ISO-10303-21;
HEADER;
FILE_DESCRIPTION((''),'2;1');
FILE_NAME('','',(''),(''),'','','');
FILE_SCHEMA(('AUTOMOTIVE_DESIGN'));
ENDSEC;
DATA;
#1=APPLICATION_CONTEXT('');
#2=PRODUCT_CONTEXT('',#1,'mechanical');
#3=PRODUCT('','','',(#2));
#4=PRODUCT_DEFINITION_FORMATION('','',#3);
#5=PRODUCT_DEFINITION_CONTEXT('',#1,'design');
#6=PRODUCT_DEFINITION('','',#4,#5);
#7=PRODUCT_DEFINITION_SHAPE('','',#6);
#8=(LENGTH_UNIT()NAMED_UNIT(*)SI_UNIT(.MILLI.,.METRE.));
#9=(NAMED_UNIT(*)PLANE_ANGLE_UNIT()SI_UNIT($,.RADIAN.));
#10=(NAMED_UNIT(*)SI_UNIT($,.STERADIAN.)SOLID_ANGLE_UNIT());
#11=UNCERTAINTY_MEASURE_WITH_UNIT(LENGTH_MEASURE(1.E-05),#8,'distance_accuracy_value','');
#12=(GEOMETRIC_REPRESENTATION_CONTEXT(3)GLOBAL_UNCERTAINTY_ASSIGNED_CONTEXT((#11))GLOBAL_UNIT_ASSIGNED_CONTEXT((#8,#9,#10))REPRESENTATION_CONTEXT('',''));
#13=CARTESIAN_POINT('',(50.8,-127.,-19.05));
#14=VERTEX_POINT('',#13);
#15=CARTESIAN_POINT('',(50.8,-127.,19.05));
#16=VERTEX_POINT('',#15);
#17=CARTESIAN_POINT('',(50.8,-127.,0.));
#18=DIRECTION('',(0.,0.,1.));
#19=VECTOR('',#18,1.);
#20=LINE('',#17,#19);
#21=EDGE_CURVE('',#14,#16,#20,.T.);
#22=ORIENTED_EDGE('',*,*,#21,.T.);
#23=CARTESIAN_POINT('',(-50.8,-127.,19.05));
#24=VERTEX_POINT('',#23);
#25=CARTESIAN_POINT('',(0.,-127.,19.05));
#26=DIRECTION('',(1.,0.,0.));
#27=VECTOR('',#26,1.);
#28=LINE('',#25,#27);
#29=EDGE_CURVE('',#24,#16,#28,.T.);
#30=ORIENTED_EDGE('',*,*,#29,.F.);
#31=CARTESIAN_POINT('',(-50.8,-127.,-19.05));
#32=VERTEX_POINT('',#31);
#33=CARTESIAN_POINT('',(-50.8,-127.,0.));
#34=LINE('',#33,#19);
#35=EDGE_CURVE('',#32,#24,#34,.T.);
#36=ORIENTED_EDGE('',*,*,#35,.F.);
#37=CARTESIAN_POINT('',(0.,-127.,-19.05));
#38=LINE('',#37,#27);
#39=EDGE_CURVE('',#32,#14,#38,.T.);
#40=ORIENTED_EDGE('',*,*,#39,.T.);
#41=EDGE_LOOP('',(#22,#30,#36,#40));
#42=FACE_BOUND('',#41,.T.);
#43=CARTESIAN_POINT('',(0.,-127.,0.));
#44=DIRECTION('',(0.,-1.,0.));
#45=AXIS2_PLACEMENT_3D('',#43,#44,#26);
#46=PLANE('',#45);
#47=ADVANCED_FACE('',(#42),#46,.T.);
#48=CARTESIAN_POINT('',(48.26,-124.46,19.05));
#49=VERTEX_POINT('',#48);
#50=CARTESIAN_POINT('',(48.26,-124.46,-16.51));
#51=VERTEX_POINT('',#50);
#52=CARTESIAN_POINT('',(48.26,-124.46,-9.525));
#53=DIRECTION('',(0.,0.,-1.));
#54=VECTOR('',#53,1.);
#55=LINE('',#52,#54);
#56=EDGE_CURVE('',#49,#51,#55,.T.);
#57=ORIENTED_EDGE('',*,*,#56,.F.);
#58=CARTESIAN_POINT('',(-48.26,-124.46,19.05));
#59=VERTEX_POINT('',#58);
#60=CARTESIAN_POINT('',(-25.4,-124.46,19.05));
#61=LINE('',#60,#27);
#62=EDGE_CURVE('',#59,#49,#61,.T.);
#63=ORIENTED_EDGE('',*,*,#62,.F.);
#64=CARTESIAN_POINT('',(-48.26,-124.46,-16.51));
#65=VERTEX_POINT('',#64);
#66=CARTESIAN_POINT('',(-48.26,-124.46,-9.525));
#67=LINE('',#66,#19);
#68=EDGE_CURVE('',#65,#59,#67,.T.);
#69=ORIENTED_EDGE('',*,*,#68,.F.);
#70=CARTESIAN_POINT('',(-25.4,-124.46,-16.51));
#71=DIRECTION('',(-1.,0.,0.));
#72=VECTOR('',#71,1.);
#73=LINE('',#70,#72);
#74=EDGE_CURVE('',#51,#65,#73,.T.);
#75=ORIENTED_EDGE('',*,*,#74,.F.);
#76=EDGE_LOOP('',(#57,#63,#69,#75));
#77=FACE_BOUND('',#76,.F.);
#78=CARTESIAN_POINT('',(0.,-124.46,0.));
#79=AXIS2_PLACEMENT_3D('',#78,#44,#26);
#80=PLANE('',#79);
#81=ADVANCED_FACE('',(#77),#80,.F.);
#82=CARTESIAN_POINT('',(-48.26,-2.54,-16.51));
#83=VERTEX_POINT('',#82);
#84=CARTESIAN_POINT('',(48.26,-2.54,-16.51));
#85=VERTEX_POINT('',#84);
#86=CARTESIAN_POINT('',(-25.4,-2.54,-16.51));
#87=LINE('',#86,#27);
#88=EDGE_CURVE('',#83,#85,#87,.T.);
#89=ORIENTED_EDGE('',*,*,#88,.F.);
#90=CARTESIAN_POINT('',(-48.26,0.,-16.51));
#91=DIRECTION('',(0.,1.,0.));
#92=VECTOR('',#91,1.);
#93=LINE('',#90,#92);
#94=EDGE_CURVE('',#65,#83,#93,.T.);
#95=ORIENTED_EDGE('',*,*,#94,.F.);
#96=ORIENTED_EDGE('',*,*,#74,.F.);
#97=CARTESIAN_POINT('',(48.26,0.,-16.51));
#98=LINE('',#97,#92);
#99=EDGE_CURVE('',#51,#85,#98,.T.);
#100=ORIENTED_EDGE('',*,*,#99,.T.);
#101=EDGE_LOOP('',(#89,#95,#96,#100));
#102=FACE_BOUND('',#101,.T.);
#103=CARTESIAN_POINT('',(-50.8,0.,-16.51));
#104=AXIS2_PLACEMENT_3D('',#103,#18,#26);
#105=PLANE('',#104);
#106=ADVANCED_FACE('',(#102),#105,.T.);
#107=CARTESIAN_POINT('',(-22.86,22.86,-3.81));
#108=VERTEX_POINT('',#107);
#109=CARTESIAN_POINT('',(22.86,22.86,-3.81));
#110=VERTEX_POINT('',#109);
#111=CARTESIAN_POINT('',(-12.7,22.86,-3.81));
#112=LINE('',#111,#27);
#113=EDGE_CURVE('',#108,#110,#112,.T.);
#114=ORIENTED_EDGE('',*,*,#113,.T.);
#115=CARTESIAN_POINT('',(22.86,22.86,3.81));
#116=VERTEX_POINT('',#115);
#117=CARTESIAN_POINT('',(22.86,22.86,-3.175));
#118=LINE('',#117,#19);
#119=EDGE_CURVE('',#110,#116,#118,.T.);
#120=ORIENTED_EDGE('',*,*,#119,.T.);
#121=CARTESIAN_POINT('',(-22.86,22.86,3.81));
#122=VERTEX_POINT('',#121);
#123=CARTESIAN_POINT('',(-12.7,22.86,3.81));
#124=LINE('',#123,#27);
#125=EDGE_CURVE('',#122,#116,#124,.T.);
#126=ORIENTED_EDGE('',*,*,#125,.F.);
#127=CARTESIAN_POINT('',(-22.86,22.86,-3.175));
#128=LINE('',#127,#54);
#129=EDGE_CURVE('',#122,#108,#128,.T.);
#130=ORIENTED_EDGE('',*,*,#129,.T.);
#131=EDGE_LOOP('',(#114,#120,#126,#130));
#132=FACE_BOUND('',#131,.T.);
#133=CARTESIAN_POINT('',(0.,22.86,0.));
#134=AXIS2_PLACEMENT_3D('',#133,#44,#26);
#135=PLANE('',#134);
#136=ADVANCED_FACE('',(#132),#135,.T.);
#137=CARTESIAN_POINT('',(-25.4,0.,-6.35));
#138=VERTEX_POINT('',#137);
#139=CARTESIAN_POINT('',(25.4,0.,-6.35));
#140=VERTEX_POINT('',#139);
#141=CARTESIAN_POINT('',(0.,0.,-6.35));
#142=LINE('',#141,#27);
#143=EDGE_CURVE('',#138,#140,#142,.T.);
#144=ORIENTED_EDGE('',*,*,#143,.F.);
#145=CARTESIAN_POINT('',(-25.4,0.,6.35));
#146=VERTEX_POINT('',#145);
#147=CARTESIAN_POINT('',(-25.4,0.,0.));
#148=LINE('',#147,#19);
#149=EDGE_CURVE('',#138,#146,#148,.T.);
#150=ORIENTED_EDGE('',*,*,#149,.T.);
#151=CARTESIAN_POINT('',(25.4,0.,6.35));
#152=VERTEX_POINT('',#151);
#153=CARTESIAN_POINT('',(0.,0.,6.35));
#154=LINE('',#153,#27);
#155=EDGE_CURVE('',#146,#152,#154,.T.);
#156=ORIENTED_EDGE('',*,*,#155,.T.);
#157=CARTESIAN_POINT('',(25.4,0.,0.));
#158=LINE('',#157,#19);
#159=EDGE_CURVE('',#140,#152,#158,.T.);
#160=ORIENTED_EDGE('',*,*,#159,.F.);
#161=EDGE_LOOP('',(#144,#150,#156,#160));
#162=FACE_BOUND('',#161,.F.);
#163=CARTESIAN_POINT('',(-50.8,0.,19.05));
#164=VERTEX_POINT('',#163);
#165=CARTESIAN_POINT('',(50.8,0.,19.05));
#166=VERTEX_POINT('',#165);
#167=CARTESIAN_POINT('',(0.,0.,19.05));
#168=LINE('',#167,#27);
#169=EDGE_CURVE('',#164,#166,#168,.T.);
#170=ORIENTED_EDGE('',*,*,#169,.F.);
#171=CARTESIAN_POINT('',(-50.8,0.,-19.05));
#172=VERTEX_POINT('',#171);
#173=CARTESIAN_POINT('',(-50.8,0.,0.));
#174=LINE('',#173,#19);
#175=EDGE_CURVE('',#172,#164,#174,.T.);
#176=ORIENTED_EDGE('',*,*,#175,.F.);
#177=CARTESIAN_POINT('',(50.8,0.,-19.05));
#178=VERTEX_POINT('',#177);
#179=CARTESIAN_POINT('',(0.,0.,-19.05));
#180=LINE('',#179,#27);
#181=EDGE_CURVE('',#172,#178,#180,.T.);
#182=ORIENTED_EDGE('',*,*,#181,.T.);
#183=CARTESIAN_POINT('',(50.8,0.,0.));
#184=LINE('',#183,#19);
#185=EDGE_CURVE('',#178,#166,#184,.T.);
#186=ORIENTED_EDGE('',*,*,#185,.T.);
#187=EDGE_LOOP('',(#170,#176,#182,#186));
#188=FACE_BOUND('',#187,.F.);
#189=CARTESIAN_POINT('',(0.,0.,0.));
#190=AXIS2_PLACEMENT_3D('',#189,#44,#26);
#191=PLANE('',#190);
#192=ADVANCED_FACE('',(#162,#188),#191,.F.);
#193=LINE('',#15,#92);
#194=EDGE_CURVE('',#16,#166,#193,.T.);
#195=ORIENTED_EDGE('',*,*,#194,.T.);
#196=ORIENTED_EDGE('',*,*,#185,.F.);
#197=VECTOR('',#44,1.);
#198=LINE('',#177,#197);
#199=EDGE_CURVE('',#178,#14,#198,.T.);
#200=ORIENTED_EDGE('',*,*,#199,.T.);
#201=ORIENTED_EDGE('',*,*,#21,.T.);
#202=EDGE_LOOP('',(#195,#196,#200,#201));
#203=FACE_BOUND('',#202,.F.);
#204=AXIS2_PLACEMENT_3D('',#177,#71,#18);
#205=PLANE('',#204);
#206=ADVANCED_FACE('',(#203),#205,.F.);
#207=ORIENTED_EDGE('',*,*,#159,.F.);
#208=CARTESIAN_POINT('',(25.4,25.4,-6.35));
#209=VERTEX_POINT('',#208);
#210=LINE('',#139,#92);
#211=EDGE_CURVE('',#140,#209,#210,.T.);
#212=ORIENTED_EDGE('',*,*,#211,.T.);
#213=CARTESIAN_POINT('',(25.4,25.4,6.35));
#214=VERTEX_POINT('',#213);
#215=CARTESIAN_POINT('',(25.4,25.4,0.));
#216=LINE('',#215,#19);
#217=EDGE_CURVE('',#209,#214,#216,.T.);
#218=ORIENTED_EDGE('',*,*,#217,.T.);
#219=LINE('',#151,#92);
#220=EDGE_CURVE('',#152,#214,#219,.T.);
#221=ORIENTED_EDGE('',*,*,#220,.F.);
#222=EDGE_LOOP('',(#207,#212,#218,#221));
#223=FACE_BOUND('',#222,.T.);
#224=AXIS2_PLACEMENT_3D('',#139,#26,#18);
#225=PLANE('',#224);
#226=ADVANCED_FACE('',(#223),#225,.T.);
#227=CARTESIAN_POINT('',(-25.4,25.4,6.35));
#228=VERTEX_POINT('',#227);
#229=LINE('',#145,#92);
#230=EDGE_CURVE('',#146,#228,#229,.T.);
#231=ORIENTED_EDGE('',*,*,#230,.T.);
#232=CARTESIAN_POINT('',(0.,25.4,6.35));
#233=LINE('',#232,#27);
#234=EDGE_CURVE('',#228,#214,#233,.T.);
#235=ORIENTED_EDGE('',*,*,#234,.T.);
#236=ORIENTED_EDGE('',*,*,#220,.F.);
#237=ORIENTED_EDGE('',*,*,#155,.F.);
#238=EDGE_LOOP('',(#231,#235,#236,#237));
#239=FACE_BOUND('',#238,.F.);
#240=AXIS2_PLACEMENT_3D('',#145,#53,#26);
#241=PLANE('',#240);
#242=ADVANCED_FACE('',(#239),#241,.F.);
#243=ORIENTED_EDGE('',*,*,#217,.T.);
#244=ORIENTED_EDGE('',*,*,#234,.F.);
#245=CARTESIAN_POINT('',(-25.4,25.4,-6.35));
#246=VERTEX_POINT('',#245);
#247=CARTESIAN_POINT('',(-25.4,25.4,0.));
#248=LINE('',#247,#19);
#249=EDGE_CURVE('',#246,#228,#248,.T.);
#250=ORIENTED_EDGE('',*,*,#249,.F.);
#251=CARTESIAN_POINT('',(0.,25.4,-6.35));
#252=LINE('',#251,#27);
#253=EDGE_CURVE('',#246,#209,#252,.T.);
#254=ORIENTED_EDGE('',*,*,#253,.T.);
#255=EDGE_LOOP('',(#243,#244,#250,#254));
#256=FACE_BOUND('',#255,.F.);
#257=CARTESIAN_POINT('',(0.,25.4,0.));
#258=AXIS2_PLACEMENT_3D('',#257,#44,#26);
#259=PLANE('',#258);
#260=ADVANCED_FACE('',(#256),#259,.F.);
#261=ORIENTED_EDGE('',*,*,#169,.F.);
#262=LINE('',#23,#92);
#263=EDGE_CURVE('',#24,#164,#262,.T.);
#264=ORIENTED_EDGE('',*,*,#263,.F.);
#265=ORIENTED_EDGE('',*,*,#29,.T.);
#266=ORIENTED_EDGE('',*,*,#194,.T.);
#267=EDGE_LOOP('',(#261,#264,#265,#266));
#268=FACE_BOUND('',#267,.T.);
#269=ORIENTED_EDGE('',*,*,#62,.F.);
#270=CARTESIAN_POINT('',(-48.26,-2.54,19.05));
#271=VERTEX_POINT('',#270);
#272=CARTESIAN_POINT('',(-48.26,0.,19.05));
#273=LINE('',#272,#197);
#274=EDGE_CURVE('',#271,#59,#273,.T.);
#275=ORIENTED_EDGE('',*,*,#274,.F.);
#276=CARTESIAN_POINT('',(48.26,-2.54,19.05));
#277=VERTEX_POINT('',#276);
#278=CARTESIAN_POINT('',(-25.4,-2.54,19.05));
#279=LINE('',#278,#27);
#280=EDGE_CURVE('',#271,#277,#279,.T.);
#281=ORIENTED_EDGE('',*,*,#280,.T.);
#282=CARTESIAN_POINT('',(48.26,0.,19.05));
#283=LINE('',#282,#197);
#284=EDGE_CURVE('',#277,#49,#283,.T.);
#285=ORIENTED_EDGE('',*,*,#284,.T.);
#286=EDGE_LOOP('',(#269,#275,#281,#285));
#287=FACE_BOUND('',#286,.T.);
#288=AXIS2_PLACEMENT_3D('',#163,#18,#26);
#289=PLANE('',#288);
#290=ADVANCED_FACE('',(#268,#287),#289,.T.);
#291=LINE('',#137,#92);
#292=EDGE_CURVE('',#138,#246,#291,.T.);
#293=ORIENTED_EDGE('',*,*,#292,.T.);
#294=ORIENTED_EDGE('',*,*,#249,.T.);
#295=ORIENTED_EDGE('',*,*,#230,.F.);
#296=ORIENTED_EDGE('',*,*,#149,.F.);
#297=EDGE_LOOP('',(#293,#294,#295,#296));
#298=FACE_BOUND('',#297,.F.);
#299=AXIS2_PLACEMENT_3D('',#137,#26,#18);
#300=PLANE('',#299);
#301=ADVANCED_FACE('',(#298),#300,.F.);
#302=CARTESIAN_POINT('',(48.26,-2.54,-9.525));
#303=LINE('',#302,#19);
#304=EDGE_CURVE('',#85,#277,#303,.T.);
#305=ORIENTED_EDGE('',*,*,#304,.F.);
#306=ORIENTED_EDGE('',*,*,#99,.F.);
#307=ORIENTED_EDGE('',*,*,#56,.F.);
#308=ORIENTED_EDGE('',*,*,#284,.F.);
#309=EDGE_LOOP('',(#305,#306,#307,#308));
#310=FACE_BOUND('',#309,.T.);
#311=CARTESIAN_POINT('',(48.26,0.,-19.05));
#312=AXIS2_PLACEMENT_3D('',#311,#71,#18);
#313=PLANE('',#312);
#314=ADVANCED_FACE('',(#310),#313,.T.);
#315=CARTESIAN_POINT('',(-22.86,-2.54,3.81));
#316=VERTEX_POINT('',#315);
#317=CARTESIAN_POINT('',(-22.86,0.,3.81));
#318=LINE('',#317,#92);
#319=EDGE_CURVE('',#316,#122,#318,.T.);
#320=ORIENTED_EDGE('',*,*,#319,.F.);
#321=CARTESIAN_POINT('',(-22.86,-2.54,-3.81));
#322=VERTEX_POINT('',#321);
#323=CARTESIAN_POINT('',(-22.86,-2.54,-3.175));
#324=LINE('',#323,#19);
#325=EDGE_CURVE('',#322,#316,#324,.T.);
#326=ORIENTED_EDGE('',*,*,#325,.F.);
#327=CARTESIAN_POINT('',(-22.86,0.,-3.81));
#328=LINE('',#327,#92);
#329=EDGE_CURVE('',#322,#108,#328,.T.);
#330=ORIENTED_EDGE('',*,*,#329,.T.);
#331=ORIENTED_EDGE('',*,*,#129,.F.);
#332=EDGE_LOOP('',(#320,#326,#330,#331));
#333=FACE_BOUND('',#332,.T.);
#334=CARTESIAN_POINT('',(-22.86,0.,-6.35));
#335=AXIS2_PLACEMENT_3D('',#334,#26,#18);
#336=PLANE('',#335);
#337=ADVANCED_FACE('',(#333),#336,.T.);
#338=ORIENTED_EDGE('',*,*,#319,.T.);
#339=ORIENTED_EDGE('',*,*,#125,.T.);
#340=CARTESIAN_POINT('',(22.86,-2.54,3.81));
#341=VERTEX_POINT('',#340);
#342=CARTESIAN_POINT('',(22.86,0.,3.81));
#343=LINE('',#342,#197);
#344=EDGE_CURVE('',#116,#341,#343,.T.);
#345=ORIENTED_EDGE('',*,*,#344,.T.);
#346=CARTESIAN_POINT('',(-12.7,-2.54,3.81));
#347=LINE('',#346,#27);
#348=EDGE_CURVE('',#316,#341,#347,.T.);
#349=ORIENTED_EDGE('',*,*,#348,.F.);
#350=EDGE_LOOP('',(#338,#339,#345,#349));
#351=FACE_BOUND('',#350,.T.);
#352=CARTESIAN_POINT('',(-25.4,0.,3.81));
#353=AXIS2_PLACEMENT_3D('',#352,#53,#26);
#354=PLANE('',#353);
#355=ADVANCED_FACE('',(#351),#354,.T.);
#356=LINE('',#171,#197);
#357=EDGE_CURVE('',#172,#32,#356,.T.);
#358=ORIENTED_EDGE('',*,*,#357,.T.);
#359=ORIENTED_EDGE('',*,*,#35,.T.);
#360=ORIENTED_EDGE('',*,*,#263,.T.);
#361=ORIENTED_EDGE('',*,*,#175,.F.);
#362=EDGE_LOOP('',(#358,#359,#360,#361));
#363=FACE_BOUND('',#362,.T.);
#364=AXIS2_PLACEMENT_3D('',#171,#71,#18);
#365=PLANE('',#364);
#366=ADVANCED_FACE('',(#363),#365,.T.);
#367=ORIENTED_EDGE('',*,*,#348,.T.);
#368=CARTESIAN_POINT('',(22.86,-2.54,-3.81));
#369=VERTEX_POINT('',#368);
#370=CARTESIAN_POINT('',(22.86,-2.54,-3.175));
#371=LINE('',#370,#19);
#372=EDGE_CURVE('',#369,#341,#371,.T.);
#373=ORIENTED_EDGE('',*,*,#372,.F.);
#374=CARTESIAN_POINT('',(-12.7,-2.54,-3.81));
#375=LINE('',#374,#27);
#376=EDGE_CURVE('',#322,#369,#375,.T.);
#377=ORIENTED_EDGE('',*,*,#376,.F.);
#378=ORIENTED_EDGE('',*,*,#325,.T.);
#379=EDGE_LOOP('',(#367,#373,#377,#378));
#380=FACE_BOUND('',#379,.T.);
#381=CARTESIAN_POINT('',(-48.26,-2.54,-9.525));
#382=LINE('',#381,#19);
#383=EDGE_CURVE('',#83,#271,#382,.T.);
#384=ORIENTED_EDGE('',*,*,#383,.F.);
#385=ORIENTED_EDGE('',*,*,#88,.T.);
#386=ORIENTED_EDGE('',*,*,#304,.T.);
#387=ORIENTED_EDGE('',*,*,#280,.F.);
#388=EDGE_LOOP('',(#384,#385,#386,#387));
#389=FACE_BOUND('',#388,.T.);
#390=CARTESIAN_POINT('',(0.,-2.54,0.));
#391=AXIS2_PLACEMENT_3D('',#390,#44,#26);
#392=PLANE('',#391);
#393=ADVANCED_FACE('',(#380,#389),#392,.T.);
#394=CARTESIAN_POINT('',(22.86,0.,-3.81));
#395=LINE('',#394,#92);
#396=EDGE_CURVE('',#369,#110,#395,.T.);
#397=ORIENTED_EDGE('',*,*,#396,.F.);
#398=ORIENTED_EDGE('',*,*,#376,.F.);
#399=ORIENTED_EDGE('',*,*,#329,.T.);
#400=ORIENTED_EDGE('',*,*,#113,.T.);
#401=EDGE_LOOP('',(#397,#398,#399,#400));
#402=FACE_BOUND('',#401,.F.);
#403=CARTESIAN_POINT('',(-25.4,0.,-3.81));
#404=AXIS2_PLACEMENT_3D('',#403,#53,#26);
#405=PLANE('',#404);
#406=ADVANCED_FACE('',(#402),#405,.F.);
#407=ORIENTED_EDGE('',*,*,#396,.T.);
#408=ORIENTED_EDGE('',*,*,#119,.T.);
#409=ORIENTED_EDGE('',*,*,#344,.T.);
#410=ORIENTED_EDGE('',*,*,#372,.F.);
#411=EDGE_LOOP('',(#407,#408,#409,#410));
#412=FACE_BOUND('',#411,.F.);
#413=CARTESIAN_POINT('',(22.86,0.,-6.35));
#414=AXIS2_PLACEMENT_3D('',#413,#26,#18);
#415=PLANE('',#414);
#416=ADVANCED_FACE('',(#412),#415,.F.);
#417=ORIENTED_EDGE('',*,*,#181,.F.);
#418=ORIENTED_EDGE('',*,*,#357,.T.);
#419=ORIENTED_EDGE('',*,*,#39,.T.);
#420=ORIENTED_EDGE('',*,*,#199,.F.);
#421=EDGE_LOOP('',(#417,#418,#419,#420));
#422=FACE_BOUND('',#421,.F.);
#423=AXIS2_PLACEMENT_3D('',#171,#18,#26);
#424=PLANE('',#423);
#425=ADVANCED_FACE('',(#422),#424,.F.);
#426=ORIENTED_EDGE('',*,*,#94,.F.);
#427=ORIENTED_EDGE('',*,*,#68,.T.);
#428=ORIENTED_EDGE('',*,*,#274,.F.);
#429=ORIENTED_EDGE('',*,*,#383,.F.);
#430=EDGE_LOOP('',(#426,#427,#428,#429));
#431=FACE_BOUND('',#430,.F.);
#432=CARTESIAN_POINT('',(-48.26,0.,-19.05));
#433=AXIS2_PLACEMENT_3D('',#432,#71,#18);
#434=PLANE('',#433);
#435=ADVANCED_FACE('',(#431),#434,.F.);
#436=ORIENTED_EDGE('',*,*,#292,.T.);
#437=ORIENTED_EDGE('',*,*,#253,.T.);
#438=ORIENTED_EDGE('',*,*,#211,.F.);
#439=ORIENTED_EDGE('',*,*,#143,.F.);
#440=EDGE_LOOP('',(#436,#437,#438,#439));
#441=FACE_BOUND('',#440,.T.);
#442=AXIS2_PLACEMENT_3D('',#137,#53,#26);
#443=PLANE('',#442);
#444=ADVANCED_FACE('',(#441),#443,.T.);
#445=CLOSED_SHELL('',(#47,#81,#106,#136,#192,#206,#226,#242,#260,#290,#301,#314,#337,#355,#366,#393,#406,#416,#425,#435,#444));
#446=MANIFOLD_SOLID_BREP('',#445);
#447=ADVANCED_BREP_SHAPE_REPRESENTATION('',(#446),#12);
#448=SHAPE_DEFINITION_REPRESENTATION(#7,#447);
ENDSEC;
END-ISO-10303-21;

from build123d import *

# Parameters (mm, degrees)
F0_W      = 101.6
F0_H      = 38.1
F1_DEPTH  = 127
F2_W      = 50.8
F2_H      = 12.7
F1_FACE_W = 101.6
F1_FACE_H = 38.1
F3_DEPTH  = 25.4
F4_T      = -2.54


with BuildPart() as f1:
    # F0 (on Front) → F1 (new body)
    with BuildSketch(Plane.XZ):
        Rectangle(F0_W, F0_H)
    extrude(amount=F1_DEPTH)

    # F2 (on Front) + F1_face (on face) → F3 (join)
    with BuildSketch(Plane.XZ):
        Rectangle(F2_W, F2_H)
    with BuildSketch(Plane.XZ.offset(127)):
        Rectangle(F1_FACE_W, F1_FACE_H)
    extrude(amount=-F3_DEPTH)

    # F4
    f4_openings = [f1.faces().sort_by_distance(p)[0] for p in [
        (0, -63.5, 19.05),
    ]]
    offset(amount=F4_T, openings=f4_openings, kind=Kind.INTERSECTION)


solid = f1.part
